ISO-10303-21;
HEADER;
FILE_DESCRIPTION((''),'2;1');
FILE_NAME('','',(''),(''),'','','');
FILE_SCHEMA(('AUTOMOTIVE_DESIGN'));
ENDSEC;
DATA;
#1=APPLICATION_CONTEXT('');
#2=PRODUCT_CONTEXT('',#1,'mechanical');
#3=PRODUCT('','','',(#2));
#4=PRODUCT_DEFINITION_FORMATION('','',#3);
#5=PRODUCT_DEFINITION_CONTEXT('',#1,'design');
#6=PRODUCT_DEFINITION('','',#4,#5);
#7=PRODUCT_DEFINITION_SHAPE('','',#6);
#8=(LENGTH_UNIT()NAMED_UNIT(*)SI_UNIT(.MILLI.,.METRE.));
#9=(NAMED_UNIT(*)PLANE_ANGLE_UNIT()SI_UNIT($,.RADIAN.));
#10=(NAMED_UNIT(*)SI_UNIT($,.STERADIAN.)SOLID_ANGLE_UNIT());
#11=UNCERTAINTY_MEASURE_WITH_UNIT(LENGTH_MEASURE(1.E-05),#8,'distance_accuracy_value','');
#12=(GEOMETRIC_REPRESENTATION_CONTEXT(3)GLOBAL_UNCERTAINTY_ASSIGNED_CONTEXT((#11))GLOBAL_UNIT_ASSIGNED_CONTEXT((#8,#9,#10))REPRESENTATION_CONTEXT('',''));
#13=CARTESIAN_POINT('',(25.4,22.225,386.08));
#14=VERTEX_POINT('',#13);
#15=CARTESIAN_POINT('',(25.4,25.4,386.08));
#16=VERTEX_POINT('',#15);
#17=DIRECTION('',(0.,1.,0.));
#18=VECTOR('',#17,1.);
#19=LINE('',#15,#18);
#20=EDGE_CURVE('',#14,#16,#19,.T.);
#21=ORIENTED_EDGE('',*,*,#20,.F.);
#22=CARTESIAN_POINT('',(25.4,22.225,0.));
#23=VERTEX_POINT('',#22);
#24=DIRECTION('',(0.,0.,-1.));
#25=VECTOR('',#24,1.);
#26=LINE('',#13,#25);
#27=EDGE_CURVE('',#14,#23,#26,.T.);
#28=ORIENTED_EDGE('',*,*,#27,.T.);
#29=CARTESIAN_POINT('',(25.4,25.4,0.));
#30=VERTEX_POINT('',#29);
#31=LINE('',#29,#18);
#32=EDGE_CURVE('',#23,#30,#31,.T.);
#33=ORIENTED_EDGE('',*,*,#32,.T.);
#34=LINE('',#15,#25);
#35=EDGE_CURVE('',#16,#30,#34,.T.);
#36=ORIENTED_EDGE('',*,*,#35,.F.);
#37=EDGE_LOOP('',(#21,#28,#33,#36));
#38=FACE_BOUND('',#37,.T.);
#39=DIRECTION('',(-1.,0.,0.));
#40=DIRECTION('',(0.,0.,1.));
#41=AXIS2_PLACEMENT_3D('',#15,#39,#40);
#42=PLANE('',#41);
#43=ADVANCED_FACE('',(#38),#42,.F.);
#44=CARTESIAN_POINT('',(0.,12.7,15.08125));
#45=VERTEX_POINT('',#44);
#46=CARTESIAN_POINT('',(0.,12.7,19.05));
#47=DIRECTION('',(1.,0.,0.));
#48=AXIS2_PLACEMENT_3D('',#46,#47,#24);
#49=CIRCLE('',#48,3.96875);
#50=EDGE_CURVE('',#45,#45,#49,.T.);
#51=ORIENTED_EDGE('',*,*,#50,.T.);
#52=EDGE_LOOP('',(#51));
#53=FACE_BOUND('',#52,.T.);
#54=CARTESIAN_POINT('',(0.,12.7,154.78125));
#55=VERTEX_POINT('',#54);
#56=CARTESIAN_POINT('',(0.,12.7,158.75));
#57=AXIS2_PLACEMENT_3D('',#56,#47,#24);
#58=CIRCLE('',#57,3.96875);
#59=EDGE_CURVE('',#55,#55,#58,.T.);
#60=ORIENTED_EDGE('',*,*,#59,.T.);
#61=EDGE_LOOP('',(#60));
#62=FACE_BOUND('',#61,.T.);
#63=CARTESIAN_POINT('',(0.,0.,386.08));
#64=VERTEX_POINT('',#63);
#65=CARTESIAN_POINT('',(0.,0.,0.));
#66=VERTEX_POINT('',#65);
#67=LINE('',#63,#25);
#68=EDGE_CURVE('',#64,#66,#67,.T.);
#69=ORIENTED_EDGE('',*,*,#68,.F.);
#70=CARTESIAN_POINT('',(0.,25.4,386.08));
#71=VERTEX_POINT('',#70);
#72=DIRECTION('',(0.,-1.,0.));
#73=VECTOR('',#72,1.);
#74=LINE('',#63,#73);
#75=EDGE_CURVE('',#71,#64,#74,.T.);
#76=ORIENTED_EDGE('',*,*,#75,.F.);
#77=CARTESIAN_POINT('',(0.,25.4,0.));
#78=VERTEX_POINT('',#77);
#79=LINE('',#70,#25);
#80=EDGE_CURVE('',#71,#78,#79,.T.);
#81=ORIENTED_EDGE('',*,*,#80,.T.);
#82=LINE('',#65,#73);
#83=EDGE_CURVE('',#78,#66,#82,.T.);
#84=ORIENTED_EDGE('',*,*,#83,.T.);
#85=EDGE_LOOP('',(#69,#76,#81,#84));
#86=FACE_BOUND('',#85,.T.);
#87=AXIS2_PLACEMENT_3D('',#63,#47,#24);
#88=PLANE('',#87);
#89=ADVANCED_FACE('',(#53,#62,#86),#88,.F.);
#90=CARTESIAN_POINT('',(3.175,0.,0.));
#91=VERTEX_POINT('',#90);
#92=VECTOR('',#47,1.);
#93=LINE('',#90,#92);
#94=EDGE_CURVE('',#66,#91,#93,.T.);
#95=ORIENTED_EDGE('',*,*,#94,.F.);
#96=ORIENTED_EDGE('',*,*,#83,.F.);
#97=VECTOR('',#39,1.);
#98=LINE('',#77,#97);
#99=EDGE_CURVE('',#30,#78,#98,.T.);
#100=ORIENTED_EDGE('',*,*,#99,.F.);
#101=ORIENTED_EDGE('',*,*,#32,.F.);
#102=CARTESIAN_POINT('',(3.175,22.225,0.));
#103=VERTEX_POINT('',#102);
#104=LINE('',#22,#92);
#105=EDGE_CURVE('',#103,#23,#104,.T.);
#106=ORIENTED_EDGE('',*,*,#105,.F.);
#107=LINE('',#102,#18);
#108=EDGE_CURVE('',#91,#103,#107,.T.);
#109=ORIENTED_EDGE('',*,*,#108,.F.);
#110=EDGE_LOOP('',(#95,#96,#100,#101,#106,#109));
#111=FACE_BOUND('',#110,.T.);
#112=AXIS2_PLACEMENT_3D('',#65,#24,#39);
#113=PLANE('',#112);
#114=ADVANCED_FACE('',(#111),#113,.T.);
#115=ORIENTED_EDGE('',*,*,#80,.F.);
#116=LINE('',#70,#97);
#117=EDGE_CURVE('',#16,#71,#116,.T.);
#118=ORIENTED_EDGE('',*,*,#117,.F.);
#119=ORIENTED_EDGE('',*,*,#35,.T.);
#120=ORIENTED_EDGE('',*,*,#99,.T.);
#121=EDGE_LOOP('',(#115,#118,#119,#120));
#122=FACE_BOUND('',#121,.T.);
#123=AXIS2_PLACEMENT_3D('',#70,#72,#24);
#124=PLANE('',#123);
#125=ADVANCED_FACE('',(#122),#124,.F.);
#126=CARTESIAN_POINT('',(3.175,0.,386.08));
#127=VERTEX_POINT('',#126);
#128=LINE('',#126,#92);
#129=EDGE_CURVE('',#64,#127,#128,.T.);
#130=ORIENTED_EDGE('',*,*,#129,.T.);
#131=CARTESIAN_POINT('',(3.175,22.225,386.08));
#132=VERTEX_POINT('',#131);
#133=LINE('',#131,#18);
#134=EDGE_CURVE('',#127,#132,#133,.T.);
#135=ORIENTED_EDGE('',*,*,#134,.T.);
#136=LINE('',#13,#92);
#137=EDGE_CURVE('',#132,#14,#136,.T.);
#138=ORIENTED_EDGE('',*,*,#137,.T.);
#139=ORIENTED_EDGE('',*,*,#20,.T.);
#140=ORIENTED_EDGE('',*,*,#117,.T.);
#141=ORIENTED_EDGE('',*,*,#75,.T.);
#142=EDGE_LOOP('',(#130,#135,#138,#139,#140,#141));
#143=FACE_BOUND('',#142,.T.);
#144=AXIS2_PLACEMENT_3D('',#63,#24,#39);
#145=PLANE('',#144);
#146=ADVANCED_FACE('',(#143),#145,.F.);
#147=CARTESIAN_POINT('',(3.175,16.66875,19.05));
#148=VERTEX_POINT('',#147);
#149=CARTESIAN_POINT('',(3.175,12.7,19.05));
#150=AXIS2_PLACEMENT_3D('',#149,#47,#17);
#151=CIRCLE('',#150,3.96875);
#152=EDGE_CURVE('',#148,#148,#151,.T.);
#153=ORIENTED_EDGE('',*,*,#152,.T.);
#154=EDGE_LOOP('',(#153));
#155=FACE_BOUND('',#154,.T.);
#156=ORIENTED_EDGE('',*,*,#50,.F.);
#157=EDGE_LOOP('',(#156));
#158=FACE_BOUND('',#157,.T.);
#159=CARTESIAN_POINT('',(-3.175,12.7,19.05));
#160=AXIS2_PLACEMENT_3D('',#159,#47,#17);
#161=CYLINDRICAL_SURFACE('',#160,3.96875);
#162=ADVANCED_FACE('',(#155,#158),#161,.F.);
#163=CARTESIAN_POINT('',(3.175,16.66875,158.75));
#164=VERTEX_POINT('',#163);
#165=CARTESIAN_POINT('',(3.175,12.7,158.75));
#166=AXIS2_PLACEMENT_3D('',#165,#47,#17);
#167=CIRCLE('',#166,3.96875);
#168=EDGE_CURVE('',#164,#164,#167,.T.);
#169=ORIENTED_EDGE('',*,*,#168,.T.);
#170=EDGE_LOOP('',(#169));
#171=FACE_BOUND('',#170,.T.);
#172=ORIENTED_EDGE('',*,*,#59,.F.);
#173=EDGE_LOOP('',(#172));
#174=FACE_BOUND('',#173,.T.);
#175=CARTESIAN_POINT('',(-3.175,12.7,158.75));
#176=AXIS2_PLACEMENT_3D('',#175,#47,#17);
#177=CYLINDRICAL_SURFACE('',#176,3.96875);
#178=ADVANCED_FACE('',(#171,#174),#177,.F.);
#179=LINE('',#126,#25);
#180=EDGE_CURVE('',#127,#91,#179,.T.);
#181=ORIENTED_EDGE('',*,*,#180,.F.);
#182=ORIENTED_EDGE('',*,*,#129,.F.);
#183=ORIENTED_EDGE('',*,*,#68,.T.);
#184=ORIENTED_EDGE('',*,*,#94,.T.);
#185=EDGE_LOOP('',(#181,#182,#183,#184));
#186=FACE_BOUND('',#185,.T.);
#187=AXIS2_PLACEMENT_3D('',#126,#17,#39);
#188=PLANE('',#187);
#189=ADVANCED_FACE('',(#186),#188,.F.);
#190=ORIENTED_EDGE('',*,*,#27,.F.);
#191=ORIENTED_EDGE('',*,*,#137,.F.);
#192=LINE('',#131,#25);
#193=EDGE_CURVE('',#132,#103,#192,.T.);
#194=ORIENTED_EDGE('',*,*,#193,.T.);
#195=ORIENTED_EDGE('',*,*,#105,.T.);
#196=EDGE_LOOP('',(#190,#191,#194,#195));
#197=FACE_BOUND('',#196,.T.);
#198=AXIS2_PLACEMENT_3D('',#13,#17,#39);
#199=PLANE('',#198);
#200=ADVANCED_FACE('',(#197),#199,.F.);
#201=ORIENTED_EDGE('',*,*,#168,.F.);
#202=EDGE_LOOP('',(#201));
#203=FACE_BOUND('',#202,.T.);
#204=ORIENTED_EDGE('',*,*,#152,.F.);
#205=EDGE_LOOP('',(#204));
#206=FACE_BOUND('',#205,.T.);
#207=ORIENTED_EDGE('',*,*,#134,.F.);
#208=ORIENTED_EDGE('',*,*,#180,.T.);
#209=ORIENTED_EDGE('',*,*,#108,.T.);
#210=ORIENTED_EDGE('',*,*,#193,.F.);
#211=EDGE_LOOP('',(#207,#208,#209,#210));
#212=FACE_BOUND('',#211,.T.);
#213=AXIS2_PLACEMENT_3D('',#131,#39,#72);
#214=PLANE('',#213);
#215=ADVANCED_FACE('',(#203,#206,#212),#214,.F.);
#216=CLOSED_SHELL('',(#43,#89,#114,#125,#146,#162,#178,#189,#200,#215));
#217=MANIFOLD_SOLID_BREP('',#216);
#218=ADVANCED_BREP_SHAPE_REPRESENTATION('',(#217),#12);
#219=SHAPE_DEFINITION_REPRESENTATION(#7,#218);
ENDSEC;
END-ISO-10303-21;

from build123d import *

# Parameters (mm, degrees)
BOSS_EXTRUDE1_DEPTH = 386.08
SKETCH2_R           = 3.96875
CUT_EXTRUDE1_DEPTH  = 6.35


with BuildPart() as part:
    # Sketch1 → Boss-Extrude1 (new body)
    with BuildSketch(Plane.XY):
        Polygon((0, 0), (0, 25.4), (25.4, 25.4), (25.4, 22.225), (3.175, 22.225), (3.175, 0), align=None)
    extrude(amount=BOSS_EXTRUDE1_DEPTH)

    # Sketch2 → Cut-Extrude1 (cut)
    with BuildSketch(Plane(origin=(3.175, 0, 0), x_dir=(0, 0, -1), z_dir=(1, 0, 0))):
        with Locations(Location((-19.05, 12.7, 0), (0, 0, 90))):
            Circle(SKETCH2_R)
        with Locations(Location((-158.75, 12.7, 0), (0, 0, 90))):
            Circle(SKETCH2_R)
    extrude(amount=-CUT_EXTRUDE1_DEPTH, mode=Mode.SUBTRACT)


solid = part.part
